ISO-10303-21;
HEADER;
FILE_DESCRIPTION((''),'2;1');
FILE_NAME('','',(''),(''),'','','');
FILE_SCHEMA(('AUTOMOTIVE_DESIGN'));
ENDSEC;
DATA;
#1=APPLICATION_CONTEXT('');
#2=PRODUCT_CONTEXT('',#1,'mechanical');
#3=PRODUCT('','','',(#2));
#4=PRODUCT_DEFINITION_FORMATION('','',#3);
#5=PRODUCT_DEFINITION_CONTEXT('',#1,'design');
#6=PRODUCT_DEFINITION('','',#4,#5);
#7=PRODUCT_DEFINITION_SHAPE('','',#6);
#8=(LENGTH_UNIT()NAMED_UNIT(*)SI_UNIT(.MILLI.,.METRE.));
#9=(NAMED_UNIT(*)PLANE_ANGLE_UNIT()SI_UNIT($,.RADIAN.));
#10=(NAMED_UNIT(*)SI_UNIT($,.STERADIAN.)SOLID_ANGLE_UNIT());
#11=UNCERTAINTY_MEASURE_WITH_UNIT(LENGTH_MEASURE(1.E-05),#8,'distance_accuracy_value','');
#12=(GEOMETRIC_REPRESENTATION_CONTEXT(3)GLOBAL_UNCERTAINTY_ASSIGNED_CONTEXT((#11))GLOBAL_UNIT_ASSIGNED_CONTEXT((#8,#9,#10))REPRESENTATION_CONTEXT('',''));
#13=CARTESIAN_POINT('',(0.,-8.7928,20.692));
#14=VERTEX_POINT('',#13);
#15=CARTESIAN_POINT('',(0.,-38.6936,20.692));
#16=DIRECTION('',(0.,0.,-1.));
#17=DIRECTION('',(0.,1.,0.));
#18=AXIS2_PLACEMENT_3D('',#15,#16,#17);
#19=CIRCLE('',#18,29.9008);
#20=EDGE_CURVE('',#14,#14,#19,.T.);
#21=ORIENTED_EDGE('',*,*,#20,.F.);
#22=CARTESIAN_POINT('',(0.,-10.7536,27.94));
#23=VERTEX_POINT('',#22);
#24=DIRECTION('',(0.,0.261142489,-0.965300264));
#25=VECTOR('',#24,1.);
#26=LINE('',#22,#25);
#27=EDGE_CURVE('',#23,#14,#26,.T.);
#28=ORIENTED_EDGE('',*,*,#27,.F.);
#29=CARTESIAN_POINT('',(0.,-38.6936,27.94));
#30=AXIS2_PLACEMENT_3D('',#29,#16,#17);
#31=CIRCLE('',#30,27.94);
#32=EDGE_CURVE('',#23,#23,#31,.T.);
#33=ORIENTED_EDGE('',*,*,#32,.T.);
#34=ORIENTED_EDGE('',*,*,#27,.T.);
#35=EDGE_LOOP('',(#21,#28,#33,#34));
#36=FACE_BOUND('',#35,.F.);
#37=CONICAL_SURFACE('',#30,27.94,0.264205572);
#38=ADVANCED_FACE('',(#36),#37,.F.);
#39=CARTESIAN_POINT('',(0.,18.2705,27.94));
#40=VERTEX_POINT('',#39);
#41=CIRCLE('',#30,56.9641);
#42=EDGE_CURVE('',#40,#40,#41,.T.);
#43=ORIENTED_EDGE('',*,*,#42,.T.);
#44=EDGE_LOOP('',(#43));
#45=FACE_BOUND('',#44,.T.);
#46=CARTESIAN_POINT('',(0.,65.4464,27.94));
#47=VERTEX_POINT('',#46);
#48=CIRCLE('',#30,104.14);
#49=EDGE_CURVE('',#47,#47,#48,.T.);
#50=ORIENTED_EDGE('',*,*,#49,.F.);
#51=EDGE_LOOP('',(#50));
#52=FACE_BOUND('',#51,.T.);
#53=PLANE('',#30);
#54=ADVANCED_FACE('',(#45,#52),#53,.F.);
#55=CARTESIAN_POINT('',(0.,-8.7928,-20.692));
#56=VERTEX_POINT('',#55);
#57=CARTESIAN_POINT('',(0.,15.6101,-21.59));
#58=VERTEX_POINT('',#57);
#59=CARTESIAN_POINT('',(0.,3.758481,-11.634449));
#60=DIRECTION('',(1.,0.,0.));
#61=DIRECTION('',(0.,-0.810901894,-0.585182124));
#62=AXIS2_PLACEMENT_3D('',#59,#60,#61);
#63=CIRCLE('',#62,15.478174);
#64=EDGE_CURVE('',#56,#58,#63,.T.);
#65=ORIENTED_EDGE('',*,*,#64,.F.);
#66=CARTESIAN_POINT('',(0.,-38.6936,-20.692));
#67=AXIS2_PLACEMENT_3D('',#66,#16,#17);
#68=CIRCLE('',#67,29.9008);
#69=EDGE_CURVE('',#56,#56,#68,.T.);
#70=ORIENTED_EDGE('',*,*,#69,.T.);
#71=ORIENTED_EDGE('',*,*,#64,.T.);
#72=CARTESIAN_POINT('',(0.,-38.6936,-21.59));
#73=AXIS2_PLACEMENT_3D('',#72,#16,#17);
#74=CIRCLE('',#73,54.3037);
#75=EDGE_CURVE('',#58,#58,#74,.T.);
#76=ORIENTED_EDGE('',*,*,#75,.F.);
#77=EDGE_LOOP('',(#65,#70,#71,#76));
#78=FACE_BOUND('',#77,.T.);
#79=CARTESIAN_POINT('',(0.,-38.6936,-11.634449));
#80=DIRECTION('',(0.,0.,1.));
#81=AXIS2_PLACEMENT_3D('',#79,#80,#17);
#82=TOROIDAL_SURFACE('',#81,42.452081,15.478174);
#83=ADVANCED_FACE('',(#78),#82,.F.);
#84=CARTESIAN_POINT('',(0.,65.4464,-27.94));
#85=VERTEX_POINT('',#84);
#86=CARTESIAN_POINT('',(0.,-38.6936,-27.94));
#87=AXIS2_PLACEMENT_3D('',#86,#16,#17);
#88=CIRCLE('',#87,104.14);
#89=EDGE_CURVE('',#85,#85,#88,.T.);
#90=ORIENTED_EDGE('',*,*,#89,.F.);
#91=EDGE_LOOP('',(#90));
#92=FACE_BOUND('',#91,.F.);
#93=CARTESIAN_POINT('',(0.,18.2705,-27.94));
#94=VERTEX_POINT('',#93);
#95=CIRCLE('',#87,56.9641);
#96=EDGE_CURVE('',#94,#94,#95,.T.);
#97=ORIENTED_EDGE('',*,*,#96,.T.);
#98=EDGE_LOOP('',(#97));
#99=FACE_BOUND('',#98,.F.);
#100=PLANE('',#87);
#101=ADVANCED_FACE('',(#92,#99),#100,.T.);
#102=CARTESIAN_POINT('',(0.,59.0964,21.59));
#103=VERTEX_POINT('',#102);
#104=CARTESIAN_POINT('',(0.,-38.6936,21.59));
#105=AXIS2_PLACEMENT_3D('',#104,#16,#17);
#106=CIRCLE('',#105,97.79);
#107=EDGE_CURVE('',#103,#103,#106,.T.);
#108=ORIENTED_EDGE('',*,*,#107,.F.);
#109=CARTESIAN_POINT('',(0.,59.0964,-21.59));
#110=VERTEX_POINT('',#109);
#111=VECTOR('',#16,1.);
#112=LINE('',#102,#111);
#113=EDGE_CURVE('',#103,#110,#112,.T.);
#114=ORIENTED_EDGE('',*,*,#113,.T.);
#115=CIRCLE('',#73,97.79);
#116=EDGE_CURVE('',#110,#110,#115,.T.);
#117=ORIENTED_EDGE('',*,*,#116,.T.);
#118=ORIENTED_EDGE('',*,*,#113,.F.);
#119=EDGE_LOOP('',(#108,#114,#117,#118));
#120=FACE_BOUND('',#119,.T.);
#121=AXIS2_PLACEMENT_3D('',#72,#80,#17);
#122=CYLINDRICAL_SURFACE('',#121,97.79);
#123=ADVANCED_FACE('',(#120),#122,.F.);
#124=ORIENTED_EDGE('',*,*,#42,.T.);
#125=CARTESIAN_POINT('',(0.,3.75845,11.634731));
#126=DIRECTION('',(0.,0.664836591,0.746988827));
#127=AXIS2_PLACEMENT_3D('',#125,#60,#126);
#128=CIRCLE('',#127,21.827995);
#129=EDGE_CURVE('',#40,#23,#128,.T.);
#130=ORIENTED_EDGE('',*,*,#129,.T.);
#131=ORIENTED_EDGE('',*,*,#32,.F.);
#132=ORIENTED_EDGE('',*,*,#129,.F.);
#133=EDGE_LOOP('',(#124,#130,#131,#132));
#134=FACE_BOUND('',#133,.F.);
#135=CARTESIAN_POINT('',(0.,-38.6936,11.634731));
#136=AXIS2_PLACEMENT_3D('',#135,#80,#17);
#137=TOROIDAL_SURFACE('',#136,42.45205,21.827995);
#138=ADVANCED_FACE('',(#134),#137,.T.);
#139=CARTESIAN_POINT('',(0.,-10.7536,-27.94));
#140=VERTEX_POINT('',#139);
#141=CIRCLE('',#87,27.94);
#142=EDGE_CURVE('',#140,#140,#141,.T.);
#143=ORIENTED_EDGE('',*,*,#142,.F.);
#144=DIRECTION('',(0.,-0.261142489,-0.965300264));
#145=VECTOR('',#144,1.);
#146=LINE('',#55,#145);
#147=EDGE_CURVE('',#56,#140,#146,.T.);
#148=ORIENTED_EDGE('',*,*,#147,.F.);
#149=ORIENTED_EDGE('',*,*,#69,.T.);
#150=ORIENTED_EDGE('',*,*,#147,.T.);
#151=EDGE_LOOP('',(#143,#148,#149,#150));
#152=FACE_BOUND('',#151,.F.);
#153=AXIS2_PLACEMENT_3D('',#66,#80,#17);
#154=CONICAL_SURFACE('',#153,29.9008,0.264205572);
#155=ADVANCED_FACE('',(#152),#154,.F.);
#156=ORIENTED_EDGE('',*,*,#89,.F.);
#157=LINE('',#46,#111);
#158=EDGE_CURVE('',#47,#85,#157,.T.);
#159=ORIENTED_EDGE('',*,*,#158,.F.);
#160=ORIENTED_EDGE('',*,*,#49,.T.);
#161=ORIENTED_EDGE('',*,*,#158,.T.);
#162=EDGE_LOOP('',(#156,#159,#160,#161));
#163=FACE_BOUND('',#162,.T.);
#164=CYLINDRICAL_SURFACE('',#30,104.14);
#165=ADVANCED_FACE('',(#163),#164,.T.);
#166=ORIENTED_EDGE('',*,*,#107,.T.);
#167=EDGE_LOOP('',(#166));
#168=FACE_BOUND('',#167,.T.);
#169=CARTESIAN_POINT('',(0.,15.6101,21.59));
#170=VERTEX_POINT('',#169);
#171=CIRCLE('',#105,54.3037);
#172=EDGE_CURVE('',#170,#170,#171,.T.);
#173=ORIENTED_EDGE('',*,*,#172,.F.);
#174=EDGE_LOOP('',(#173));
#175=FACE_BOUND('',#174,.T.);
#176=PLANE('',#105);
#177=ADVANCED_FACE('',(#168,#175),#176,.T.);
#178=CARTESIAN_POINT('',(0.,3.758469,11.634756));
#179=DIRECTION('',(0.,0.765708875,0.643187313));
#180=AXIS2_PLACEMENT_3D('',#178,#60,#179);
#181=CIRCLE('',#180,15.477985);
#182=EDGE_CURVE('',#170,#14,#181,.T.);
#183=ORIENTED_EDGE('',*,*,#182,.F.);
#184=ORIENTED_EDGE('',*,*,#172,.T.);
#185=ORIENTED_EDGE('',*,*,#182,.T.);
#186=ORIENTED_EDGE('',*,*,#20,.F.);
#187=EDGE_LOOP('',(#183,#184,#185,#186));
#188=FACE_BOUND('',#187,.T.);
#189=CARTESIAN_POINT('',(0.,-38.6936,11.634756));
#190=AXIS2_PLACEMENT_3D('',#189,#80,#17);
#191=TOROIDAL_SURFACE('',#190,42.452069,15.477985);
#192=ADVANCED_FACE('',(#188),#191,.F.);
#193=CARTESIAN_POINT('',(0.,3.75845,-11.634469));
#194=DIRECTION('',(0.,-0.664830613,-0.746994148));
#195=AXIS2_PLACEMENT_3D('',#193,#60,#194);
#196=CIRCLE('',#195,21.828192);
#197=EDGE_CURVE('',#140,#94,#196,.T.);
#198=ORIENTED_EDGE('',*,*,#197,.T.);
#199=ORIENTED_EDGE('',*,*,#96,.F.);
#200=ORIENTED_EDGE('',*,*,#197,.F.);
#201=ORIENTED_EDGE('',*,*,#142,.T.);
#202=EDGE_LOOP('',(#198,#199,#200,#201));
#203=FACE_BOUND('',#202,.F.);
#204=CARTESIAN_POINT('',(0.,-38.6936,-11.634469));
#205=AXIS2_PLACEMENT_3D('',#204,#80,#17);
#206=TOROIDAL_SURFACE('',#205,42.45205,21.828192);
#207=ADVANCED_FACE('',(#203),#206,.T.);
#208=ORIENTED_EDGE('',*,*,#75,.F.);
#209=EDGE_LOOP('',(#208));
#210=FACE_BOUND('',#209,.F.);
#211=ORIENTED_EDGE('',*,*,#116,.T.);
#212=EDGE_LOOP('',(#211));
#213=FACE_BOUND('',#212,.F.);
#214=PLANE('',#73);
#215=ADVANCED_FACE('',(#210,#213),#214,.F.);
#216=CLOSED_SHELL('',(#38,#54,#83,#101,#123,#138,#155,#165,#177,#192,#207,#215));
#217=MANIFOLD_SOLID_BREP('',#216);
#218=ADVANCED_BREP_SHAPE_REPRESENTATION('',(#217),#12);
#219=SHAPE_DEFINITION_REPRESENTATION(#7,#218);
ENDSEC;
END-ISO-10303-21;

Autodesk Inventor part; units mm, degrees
ref_plane "YZ Plane" through (0, 0, 0) normal (1, 0, 0) x (0, 1, 0)
ref_plane "XZ Plane" through (0, 0, 0) normal (0, 1, 0) x (-1, 0, 0)
ref_plane "XY Plane" through (0, 0, 0) normal (0, 0, 1) x (1, 0, 0)
sketch "Sketch1" plane through (0, 0, 0) normal (1, 0, 0) x (0, 1, 0)
  arc A0 (18.2705, 27.94) -> (-10.7536, 27.94) centre (3.7584, 11.6346) ccw
  line L0 (18.2705, 27.94) -> (65.4464, 27.94)
  line L1 (65.4464, 27.94) -> (65.4464, 0)
  line L2 (65.4464, 0) -> (0, 0)
  arc A1 (-10.7536, -27.94) -> (18.2705, -27.94) centre (3.7584, -11.6346) ccw
  line L3 (18.2705, -27.94) -> (65.4464, -27.94)
  line L4 (65.4464, -27.94) -> (65.4464, 0)
  line L5 (-38.6936, 27.94) -> (-38.6936, -27.94)
  line L6 (59.0964, -21.59) -> (15.6101, -21.59)
  line L7 (59.0964, -21.59) -> (59.0964, 21.59)
  line L8 (59.0964, 21.59) -> (15.6101, 21.59)
  arc A2 (15.6101, 21.59) -> (-8.7928, 20.692) centre (3.7584, 11.6346) ccw
  arc A3 (-8.7928, -20.692) -> (15.6101, -21.59) centre (3.7584, -11.6346) ccw
  line L9 (-8.7928, -20.692) -> (-10.7536, -27.94)
  line L10 (-10.7536, 27.94) -> (-8.7928, 20.692)
  dimension "d0" = 27.94
  dimension "d2" = 76.2
  dimension "d3" = 27.94
  dimension "d4" = 6.35
  dimension "d5" = 6.35
  dimension "d6" = 6.35
  dimension "d7" = 6.35
  dimension "d8" = 6.35
revolve "Revolution1" add sketch "Sketch1" angle 360 about axis through (0, -38.6936, 27.94) along (0, 0, -1)
properties part number "tire 2.2"
